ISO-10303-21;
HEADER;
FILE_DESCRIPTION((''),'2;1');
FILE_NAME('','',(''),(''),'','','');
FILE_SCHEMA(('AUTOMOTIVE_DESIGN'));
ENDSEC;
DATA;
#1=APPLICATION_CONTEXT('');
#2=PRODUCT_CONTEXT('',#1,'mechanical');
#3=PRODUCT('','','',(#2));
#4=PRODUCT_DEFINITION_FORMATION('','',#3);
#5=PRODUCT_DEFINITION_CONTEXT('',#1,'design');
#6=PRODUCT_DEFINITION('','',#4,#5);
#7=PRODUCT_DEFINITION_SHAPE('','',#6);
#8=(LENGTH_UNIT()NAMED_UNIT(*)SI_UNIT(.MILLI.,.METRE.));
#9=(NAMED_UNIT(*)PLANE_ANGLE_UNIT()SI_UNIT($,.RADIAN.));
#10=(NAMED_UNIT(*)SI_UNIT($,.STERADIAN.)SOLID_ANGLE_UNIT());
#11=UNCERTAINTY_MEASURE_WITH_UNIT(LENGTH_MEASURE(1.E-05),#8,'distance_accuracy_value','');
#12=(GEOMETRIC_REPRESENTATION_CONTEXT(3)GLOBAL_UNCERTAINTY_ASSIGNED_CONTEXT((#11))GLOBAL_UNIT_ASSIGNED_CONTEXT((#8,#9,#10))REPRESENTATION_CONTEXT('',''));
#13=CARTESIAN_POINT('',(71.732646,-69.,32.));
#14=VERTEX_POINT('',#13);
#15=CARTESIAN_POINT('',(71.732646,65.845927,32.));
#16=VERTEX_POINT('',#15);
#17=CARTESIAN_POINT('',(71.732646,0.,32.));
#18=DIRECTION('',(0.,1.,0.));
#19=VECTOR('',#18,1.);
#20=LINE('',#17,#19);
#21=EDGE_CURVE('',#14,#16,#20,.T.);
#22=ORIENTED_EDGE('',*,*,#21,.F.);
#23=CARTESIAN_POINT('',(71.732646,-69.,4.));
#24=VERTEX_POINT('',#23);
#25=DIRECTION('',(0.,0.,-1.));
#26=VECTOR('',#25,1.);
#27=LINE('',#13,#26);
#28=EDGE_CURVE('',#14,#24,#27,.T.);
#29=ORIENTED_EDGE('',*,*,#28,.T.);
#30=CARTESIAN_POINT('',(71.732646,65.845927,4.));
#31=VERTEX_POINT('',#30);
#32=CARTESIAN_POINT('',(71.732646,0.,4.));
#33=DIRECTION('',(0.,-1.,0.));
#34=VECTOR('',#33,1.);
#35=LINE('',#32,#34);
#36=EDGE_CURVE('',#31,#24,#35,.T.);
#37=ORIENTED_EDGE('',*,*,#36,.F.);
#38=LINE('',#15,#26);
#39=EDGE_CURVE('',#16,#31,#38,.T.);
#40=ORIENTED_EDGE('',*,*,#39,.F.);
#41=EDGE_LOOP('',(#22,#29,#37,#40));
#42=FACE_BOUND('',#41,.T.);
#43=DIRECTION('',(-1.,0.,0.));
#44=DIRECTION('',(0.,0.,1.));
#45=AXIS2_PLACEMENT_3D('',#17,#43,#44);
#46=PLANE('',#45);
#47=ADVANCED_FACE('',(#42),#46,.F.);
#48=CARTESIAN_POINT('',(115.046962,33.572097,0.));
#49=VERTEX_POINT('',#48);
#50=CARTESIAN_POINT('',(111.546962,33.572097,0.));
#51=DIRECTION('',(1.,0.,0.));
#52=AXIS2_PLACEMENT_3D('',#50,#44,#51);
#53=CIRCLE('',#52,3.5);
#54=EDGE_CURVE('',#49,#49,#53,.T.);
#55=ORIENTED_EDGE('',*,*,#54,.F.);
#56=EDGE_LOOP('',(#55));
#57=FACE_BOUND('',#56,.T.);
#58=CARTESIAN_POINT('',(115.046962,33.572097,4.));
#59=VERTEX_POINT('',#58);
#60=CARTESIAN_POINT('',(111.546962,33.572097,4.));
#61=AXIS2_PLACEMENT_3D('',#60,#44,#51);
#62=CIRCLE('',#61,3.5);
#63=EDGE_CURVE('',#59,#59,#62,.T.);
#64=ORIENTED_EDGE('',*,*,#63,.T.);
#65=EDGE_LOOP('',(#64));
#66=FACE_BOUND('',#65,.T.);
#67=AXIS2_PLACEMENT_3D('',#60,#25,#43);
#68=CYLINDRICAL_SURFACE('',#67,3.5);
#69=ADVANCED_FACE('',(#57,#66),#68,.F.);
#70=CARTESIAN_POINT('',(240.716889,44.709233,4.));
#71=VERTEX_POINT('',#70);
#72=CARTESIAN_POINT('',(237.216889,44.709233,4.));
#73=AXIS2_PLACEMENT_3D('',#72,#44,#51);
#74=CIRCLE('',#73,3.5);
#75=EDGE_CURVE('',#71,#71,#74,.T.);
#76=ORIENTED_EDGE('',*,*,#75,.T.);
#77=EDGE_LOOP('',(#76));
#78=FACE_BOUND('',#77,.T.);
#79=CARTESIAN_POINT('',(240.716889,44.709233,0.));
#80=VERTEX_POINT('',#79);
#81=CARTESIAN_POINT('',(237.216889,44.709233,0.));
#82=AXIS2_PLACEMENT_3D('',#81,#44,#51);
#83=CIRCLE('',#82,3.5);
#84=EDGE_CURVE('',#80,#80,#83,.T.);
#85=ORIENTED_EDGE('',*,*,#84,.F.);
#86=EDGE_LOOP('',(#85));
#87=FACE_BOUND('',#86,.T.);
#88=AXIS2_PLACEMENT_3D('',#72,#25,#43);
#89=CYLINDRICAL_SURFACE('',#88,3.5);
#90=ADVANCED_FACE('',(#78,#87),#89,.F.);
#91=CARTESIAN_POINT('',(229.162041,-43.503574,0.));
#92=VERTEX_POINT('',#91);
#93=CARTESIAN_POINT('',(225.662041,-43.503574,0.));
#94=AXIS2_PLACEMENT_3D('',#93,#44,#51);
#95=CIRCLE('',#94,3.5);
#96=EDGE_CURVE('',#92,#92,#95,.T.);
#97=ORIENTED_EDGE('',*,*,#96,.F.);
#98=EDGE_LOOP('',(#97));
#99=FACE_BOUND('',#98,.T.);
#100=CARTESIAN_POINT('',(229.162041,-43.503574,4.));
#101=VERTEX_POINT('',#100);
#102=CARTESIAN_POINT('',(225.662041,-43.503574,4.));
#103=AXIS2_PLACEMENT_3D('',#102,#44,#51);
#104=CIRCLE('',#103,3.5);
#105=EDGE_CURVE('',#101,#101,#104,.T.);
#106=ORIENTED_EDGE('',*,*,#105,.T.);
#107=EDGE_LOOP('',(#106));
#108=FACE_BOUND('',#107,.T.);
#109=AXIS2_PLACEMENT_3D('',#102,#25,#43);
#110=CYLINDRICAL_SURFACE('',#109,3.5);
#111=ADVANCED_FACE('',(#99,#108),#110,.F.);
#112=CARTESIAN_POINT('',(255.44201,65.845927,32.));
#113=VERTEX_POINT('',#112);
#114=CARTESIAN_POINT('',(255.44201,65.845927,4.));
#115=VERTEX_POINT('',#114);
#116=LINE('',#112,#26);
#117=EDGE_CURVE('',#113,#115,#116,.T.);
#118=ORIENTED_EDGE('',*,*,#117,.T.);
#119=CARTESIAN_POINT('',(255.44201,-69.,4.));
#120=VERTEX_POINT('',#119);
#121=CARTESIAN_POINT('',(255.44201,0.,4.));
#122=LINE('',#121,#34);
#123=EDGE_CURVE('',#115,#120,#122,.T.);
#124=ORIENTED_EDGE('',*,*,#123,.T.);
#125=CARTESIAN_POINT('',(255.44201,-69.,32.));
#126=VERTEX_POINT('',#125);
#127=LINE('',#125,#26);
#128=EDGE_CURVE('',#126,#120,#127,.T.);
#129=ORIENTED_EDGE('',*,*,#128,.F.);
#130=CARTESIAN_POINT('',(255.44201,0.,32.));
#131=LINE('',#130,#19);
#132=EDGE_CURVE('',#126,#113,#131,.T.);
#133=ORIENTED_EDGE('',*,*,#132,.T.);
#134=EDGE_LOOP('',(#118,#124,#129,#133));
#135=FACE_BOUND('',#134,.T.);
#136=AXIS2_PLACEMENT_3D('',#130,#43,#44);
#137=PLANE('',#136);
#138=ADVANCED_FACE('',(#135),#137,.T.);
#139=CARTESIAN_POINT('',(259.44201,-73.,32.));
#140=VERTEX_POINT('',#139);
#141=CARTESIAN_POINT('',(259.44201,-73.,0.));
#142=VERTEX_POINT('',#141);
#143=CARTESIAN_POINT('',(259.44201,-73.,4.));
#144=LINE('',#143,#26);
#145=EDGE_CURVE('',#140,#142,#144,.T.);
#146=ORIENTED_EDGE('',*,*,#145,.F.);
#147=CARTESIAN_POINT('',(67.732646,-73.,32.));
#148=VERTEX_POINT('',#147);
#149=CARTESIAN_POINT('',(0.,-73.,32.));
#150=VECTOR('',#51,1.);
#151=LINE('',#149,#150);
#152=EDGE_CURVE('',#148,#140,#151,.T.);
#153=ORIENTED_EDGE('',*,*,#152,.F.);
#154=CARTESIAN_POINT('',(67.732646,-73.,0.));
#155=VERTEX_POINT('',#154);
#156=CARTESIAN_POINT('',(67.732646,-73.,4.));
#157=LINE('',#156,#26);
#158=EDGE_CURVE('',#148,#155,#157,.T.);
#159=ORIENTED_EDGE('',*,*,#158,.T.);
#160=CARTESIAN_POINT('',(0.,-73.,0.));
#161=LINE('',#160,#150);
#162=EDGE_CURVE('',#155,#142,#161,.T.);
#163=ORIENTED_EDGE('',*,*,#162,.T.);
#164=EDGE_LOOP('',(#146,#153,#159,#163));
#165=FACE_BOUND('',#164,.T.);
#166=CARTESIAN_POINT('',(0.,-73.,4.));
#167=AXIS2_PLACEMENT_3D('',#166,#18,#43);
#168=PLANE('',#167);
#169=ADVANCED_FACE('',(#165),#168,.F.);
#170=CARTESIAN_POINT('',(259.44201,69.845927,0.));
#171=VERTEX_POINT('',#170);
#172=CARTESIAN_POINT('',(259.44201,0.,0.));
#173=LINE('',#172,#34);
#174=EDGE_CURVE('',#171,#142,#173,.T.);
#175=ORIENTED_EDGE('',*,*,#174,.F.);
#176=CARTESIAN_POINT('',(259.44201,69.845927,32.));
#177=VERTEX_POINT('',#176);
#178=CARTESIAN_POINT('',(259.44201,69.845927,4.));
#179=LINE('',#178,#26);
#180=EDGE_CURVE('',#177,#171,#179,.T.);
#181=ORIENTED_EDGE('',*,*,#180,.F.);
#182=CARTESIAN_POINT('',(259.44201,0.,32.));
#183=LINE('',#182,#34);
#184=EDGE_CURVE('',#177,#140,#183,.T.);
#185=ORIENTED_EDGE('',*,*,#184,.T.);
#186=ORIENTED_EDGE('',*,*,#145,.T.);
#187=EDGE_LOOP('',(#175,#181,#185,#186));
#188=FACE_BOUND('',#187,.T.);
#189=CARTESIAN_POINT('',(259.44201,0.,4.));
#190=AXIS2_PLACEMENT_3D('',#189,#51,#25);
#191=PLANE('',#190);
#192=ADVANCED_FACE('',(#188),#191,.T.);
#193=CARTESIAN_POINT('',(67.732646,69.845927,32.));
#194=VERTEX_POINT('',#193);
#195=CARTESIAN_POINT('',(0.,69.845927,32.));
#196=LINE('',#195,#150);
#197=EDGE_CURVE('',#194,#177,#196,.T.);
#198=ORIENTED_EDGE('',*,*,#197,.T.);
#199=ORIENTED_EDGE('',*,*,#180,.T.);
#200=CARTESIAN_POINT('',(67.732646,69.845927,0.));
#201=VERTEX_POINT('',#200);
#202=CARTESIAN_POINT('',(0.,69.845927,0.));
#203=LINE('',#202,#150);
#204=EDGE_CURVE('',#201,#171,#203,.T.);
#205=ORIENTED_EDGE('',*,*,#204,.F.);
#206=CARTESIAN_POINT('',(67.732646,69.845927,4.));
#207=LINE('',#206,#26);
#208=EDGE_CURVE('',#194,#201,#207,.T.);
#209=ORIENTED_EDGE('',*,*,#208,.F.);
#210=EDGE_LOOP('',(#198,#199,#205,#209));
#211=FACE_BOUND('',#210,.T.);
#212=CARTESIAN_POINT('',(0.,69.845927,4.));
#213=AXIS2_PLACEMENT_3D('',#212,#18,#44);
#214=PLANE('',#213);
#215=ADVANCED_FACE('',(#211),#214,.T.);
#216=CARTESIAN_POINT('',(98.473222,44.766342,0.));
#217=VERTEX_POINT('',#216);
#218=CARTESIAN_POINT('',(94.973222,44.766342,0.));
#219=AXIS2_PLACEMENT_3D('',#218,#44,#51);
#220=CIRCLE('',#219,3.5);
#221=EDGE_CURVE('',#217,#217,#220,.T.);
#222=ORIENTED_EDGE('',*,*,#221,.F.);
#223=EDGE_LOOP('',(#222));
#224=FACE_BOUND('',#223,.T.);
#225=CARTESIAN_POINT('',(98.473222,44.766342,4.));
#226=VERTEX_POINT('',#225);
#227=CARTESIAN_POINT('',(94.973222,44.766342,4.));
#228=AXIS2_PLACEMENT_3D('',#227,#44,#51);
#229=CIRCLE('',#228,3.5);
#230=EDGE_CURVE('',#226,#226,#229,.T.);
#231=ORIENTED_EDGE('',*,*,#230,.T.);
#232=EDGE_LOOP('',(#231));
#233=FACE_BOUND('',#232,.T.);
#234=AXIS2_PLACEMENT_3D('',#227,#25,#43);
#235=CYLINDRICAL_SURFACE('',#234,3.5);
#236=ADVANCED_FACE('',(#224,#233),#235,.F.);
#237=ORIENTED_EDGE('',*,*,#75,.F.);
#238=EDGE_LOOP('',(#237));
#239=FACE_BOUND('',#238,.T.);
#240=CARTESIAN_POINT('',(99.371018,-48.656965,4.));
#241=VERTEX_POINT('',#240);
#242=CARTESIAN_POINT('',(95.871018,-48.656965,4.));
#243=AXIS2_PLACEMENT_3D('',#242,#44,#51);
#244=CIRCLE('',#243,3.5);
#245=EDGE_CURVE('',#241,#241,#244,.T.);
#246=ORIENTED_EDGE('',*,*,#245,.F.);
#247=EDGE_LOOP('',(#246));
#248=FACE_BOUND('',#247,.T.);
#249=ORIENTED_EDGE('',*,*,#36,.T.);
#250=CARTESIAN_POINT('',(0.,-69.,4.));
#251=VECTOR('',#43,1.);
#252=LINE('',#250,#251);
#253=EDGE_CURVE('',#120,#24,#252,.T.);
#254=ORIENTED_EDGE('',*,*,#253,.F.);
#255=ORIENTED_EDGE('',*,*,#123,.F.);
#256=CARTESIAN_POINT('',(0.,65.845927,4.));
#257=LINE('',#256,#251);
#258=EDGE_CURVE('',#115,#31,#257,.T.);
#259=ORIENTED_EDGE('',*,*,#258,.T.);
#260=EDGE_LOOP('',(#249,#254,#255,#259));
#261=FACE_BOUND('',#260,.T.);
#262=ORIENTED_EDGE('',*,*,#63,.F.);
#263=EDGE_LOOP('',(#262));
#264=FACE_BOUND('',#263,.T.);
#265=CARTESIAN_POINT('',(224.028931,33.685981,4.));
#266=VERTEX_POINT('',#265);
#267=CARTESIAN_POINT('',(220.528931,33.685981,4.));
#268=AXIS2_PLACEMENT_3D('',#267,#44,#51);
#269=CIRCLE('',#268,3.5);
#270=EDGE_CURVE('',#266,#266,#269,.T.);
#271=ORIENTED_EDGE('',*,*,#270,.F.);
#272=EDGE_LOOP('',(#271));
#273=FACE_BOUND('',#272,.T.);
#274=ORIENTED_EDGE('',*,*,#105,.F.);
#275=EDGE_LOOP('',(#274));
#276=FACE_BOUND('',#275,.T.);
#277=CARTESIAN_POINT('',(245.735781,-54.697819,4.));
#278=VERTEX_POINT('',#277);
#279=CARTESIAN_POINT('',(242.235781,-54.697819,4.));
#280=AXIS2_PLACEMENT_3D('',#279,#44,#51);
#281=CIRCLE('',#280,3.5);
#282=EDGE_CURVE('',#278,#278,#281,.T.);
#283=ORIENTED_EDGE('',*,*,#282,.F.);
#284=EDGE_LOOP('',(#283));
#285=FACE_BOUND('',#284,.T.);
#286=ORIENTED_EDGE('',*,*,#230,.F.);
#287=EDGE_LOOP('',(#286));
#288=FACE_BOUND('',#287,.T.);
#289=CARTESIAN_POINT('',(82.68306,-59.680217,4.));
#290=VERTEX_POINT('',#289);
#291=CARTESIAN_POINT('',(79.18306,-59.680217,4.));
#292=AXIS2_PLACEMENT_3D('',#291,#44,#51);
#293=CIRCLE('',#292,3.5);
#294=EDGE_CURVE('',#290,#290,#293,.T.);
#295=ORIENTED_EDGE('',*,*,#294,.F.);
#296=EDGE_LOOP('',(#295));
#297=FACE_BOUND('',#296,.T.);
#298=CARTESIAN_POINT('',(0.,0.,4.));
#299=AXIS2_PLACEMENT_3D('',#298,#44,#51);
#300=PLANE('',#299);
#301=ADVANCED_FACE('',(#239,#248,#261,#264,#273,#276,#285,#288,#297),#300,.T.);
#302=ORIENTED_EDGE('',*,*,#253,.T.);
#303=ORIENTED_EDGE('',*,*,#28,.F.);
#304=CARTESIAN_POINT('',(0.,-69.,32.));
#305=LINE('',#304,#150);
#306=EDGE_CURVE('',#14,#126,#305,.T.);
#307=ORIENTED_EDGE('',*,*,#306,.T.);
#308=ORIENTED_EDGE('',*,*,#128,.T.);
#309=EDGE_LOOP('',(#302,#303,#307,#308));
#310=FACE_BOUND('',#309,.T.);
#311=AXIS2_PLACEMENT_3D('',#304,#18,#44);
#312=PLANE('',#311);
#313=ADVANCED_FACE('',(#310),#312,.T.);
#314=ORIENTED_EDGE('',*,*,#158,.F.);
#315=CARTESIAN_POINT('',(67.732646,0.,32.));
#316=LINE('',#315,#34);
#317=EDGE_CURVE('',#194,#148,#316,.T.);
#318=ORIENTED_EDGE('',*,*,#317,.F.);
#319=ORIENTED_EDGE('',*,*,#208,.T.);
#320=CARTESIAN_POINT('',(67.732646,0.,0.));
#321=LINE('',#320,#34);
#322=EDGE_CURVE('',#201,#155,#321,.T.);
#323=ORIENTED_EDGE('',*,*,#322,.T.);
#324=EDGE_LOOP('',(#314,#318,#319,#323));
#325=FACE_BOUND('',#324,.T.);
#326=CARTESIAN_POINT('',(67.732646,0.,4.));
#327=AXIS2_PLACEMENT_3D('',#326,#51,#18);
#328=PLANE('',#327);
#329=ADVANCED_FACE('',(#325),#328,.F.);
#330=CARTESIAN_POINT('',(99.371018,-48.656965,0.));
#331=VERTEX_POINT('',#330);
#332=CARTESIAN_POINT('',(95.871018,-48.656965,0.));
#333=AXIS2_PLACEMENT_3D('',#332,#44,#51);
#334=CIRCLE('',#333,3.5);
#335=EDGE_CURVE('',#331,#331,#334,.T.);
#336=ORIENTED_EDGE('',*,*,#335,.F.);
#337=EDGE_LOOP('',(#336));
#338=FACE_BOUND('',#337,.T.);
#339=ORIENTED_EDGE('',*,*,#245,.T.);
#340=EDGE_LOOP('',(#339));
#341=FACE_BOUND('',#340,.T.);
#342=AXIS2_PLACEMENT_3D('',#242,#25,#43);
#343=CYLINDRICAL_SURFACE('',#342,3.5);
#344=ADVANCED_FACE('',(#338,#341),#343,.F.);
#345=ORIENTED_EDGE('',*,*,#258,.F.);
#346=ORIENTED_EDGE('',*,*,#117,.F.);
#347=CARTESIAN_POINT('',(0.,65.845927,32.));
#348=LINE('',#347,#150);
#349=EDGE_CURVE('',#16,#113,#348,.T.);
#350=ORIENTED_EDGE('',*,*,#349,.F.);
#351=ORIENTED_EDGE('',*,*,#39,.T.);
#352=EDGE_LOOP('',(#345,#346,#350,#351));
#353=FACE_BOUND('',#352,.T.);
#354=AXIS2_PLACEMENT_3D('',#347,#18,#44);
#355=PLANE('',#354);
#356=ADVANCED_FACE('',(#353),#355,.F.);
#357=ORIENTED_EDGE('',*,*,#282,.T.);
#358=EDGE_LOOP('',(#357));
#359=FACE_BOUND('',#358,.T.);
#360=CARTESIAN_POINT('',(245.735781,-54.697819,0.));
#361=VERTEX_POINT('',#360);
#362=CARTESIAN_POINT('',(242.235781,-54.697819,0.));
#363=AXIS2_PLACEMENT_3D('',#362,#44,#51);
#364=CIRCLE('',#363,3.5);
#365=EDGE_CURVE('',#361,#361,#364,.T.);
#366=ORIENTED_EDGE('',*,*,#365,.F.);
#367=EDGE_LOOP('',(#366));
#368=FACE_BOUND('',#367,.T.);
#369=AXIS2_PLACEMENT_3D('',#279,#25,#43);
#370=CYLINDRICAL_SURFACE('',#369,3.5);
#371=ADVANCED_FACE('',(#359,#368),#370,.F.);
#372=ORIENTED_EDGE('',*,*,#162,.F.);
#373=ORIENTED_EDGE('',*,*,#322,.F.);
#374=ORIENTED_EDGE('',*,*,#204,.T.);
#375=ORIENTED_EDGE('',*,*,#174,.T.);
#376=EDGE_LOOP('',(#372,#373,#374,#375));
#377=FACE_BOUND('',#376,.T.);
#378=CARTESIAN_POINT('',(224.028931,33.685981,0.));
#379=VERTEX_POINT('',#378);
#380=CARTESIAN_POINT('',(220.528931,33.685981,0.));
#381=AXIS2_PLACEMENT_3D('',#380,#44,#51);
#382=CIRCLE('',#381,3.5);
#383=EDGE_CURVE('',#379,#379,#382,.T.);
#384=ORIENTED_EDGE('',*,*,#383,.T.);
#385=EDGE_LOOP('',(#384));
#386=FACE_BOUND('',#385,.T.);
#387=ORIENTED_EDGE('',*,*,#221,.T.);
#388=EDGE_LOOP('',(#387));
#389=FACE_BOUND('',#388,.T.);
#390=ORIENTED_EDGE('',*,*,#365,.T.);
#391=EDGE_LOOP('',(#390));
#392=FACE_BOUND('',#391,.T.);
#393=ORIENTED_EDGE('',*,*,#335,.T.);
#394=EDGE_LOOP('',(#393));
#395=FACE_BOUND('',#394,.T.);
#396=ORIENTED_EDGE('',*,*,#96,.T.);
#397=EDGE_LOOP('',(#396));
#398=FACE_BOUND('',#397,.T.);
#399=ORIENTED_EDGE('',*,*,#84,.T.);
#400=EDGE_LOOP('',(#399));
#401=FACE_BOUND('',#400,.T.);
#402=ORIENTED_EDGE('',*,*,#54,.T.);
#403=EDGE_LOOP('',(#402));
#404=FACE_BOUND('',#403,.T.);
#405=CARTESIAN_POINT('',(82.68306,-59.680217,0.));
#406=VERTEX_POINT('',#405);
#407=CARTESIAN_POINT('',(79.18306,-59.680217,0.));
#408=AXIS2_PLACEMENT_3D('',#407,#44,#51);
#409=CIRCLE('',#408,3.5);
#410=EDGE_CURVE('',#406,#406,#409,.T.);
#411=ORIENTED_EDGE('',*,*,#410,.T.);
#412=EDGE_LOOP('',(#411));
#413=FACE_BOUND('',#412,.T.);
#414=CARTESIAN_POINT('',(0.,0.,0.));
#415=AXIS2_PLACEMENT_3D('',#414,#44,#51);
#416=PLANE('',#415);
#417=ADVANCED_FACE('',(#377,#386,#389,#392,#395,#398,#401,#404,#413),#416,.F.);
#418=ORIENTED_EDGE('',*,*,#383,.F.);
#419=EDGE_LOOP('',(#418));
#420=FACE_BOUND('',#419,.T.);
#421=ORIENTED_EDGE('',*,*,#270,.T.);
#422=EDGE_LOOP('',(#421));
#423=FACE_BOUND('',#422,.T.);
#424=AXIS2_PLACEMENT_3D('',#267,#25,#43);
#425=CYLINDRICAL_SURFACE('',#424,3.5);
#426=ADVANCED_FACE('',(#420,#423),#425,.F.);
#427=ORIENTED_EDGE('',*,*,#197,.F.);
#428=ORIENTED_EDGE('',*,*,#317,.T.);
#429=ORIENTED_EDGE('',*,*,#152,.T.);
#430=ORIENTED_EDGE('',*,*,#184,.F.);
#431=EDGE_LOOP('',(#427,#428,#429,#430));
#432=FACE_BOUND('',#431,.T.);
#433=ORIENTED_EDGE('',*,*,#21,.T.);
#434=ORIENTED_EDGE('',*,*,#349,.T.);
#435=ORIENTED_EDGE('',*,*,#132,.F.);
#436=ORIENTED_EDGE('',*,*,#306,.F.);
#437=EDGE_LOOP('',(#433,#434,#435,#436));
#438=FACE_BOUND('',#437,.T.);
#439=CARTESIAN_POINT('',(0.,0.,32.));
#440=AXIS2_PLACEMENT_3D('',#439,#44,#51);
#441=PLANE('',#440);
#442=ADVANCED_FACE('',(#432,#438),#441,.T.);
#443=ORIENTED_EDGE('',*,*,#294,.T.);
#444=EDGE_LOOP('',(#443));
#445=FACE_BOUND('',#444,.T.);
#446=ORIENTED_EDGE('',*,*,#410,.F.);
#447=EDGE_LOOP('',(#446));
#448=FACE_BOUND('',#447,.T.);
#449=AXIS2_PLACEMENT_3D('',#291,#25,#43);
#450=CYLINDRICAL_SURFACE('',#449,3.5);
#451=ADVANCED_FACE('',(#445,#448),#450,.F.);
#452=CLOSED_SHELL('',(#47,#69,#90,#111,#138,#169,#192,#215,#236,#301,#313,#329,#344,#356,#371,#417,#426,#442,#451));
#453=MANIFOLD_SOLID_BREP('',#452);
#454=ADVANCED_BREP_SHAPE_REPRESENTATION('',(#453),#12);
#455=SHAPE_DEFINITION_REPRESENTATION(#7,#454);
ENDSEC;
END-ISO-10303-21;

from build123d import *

# Parameters (mm, degrees)
SKETCH1_W           = 191.709364395
SKETCH1_H           = 142.845926684
SKETCH1_R           = 3.5
BOSS_EXTRUDE2_DEPTH = 4
SKETCH1_5_W         = 183.709364395
SKETCH1_5_H         = 134.845926684
BOSS_EXTRUDE3_DEPTH = 32


with BuildPart() as part:
    # Sketch1 → Boss-Extrude2 (new body)
    with BuildSketch(Plane.XY):
        with Locations((163.587328245, -1.577036658)):
            Rectangle(SKETCH1_W, SKETCH1_H)
        with Locations((94.973221843, 44.766341696)):
            Circle(SKETCH1_R, mode=Mode.SUBTRACT)
        with Locations((111.546962379, 33.572096538)):
            Circle(SKETCH1_R, mode=Mode.SUBTRACT)
        with Locations((220.528931491, 33.685981472)):
            Circle(SKETCH1_R, mode=Mode.SUBTRACT)
        with Locations((237.21688879, 44.709233314)):
            Circle(SKETCH1_R, mode=Mode.SUBTRACT)
        with Locations((79.183060399, -59.680217036)):
            Circle(SKETCH1_R, mode=Mode.SUBTRACT)
        with Locations((95.871017698, -48.656965194)):
            Circle(SKETCH1_R, mode=Mode.SUBTRACT)
        with Locations((242.235781203, -54.69781901)):
            Circle(SKETCH1_R, mode=Mode.SUBTRACT)
        with Locations((225.662040668, -43.503573852)):
            Circle(SKETCH1_R, mode=Mode.SUBTRACT)
    extrude(amount=BOSS_EXTRUDE2_DEPTH)

    # Sketch1<5> → Boss-Extrude3 (add)
    with BuildSketch(Plane.XY):
        Polygon((259.442010442, -73), (259.442010442, -1.577036658), (259.442010442, 69.845926684), (67.732646047, 69.845926684), (67.732646047, -73), (163.587328244, -73), align=None)
        with Locations((163.587328245, -1.577036658)):
            Rectangle(SKETCH1_5_W, SKETCH1_5_H, mode=Mode.SUBTRACT)
    extrude(amount=BOSS_EXTRUDE3_DEPTH)


solid = part.part
